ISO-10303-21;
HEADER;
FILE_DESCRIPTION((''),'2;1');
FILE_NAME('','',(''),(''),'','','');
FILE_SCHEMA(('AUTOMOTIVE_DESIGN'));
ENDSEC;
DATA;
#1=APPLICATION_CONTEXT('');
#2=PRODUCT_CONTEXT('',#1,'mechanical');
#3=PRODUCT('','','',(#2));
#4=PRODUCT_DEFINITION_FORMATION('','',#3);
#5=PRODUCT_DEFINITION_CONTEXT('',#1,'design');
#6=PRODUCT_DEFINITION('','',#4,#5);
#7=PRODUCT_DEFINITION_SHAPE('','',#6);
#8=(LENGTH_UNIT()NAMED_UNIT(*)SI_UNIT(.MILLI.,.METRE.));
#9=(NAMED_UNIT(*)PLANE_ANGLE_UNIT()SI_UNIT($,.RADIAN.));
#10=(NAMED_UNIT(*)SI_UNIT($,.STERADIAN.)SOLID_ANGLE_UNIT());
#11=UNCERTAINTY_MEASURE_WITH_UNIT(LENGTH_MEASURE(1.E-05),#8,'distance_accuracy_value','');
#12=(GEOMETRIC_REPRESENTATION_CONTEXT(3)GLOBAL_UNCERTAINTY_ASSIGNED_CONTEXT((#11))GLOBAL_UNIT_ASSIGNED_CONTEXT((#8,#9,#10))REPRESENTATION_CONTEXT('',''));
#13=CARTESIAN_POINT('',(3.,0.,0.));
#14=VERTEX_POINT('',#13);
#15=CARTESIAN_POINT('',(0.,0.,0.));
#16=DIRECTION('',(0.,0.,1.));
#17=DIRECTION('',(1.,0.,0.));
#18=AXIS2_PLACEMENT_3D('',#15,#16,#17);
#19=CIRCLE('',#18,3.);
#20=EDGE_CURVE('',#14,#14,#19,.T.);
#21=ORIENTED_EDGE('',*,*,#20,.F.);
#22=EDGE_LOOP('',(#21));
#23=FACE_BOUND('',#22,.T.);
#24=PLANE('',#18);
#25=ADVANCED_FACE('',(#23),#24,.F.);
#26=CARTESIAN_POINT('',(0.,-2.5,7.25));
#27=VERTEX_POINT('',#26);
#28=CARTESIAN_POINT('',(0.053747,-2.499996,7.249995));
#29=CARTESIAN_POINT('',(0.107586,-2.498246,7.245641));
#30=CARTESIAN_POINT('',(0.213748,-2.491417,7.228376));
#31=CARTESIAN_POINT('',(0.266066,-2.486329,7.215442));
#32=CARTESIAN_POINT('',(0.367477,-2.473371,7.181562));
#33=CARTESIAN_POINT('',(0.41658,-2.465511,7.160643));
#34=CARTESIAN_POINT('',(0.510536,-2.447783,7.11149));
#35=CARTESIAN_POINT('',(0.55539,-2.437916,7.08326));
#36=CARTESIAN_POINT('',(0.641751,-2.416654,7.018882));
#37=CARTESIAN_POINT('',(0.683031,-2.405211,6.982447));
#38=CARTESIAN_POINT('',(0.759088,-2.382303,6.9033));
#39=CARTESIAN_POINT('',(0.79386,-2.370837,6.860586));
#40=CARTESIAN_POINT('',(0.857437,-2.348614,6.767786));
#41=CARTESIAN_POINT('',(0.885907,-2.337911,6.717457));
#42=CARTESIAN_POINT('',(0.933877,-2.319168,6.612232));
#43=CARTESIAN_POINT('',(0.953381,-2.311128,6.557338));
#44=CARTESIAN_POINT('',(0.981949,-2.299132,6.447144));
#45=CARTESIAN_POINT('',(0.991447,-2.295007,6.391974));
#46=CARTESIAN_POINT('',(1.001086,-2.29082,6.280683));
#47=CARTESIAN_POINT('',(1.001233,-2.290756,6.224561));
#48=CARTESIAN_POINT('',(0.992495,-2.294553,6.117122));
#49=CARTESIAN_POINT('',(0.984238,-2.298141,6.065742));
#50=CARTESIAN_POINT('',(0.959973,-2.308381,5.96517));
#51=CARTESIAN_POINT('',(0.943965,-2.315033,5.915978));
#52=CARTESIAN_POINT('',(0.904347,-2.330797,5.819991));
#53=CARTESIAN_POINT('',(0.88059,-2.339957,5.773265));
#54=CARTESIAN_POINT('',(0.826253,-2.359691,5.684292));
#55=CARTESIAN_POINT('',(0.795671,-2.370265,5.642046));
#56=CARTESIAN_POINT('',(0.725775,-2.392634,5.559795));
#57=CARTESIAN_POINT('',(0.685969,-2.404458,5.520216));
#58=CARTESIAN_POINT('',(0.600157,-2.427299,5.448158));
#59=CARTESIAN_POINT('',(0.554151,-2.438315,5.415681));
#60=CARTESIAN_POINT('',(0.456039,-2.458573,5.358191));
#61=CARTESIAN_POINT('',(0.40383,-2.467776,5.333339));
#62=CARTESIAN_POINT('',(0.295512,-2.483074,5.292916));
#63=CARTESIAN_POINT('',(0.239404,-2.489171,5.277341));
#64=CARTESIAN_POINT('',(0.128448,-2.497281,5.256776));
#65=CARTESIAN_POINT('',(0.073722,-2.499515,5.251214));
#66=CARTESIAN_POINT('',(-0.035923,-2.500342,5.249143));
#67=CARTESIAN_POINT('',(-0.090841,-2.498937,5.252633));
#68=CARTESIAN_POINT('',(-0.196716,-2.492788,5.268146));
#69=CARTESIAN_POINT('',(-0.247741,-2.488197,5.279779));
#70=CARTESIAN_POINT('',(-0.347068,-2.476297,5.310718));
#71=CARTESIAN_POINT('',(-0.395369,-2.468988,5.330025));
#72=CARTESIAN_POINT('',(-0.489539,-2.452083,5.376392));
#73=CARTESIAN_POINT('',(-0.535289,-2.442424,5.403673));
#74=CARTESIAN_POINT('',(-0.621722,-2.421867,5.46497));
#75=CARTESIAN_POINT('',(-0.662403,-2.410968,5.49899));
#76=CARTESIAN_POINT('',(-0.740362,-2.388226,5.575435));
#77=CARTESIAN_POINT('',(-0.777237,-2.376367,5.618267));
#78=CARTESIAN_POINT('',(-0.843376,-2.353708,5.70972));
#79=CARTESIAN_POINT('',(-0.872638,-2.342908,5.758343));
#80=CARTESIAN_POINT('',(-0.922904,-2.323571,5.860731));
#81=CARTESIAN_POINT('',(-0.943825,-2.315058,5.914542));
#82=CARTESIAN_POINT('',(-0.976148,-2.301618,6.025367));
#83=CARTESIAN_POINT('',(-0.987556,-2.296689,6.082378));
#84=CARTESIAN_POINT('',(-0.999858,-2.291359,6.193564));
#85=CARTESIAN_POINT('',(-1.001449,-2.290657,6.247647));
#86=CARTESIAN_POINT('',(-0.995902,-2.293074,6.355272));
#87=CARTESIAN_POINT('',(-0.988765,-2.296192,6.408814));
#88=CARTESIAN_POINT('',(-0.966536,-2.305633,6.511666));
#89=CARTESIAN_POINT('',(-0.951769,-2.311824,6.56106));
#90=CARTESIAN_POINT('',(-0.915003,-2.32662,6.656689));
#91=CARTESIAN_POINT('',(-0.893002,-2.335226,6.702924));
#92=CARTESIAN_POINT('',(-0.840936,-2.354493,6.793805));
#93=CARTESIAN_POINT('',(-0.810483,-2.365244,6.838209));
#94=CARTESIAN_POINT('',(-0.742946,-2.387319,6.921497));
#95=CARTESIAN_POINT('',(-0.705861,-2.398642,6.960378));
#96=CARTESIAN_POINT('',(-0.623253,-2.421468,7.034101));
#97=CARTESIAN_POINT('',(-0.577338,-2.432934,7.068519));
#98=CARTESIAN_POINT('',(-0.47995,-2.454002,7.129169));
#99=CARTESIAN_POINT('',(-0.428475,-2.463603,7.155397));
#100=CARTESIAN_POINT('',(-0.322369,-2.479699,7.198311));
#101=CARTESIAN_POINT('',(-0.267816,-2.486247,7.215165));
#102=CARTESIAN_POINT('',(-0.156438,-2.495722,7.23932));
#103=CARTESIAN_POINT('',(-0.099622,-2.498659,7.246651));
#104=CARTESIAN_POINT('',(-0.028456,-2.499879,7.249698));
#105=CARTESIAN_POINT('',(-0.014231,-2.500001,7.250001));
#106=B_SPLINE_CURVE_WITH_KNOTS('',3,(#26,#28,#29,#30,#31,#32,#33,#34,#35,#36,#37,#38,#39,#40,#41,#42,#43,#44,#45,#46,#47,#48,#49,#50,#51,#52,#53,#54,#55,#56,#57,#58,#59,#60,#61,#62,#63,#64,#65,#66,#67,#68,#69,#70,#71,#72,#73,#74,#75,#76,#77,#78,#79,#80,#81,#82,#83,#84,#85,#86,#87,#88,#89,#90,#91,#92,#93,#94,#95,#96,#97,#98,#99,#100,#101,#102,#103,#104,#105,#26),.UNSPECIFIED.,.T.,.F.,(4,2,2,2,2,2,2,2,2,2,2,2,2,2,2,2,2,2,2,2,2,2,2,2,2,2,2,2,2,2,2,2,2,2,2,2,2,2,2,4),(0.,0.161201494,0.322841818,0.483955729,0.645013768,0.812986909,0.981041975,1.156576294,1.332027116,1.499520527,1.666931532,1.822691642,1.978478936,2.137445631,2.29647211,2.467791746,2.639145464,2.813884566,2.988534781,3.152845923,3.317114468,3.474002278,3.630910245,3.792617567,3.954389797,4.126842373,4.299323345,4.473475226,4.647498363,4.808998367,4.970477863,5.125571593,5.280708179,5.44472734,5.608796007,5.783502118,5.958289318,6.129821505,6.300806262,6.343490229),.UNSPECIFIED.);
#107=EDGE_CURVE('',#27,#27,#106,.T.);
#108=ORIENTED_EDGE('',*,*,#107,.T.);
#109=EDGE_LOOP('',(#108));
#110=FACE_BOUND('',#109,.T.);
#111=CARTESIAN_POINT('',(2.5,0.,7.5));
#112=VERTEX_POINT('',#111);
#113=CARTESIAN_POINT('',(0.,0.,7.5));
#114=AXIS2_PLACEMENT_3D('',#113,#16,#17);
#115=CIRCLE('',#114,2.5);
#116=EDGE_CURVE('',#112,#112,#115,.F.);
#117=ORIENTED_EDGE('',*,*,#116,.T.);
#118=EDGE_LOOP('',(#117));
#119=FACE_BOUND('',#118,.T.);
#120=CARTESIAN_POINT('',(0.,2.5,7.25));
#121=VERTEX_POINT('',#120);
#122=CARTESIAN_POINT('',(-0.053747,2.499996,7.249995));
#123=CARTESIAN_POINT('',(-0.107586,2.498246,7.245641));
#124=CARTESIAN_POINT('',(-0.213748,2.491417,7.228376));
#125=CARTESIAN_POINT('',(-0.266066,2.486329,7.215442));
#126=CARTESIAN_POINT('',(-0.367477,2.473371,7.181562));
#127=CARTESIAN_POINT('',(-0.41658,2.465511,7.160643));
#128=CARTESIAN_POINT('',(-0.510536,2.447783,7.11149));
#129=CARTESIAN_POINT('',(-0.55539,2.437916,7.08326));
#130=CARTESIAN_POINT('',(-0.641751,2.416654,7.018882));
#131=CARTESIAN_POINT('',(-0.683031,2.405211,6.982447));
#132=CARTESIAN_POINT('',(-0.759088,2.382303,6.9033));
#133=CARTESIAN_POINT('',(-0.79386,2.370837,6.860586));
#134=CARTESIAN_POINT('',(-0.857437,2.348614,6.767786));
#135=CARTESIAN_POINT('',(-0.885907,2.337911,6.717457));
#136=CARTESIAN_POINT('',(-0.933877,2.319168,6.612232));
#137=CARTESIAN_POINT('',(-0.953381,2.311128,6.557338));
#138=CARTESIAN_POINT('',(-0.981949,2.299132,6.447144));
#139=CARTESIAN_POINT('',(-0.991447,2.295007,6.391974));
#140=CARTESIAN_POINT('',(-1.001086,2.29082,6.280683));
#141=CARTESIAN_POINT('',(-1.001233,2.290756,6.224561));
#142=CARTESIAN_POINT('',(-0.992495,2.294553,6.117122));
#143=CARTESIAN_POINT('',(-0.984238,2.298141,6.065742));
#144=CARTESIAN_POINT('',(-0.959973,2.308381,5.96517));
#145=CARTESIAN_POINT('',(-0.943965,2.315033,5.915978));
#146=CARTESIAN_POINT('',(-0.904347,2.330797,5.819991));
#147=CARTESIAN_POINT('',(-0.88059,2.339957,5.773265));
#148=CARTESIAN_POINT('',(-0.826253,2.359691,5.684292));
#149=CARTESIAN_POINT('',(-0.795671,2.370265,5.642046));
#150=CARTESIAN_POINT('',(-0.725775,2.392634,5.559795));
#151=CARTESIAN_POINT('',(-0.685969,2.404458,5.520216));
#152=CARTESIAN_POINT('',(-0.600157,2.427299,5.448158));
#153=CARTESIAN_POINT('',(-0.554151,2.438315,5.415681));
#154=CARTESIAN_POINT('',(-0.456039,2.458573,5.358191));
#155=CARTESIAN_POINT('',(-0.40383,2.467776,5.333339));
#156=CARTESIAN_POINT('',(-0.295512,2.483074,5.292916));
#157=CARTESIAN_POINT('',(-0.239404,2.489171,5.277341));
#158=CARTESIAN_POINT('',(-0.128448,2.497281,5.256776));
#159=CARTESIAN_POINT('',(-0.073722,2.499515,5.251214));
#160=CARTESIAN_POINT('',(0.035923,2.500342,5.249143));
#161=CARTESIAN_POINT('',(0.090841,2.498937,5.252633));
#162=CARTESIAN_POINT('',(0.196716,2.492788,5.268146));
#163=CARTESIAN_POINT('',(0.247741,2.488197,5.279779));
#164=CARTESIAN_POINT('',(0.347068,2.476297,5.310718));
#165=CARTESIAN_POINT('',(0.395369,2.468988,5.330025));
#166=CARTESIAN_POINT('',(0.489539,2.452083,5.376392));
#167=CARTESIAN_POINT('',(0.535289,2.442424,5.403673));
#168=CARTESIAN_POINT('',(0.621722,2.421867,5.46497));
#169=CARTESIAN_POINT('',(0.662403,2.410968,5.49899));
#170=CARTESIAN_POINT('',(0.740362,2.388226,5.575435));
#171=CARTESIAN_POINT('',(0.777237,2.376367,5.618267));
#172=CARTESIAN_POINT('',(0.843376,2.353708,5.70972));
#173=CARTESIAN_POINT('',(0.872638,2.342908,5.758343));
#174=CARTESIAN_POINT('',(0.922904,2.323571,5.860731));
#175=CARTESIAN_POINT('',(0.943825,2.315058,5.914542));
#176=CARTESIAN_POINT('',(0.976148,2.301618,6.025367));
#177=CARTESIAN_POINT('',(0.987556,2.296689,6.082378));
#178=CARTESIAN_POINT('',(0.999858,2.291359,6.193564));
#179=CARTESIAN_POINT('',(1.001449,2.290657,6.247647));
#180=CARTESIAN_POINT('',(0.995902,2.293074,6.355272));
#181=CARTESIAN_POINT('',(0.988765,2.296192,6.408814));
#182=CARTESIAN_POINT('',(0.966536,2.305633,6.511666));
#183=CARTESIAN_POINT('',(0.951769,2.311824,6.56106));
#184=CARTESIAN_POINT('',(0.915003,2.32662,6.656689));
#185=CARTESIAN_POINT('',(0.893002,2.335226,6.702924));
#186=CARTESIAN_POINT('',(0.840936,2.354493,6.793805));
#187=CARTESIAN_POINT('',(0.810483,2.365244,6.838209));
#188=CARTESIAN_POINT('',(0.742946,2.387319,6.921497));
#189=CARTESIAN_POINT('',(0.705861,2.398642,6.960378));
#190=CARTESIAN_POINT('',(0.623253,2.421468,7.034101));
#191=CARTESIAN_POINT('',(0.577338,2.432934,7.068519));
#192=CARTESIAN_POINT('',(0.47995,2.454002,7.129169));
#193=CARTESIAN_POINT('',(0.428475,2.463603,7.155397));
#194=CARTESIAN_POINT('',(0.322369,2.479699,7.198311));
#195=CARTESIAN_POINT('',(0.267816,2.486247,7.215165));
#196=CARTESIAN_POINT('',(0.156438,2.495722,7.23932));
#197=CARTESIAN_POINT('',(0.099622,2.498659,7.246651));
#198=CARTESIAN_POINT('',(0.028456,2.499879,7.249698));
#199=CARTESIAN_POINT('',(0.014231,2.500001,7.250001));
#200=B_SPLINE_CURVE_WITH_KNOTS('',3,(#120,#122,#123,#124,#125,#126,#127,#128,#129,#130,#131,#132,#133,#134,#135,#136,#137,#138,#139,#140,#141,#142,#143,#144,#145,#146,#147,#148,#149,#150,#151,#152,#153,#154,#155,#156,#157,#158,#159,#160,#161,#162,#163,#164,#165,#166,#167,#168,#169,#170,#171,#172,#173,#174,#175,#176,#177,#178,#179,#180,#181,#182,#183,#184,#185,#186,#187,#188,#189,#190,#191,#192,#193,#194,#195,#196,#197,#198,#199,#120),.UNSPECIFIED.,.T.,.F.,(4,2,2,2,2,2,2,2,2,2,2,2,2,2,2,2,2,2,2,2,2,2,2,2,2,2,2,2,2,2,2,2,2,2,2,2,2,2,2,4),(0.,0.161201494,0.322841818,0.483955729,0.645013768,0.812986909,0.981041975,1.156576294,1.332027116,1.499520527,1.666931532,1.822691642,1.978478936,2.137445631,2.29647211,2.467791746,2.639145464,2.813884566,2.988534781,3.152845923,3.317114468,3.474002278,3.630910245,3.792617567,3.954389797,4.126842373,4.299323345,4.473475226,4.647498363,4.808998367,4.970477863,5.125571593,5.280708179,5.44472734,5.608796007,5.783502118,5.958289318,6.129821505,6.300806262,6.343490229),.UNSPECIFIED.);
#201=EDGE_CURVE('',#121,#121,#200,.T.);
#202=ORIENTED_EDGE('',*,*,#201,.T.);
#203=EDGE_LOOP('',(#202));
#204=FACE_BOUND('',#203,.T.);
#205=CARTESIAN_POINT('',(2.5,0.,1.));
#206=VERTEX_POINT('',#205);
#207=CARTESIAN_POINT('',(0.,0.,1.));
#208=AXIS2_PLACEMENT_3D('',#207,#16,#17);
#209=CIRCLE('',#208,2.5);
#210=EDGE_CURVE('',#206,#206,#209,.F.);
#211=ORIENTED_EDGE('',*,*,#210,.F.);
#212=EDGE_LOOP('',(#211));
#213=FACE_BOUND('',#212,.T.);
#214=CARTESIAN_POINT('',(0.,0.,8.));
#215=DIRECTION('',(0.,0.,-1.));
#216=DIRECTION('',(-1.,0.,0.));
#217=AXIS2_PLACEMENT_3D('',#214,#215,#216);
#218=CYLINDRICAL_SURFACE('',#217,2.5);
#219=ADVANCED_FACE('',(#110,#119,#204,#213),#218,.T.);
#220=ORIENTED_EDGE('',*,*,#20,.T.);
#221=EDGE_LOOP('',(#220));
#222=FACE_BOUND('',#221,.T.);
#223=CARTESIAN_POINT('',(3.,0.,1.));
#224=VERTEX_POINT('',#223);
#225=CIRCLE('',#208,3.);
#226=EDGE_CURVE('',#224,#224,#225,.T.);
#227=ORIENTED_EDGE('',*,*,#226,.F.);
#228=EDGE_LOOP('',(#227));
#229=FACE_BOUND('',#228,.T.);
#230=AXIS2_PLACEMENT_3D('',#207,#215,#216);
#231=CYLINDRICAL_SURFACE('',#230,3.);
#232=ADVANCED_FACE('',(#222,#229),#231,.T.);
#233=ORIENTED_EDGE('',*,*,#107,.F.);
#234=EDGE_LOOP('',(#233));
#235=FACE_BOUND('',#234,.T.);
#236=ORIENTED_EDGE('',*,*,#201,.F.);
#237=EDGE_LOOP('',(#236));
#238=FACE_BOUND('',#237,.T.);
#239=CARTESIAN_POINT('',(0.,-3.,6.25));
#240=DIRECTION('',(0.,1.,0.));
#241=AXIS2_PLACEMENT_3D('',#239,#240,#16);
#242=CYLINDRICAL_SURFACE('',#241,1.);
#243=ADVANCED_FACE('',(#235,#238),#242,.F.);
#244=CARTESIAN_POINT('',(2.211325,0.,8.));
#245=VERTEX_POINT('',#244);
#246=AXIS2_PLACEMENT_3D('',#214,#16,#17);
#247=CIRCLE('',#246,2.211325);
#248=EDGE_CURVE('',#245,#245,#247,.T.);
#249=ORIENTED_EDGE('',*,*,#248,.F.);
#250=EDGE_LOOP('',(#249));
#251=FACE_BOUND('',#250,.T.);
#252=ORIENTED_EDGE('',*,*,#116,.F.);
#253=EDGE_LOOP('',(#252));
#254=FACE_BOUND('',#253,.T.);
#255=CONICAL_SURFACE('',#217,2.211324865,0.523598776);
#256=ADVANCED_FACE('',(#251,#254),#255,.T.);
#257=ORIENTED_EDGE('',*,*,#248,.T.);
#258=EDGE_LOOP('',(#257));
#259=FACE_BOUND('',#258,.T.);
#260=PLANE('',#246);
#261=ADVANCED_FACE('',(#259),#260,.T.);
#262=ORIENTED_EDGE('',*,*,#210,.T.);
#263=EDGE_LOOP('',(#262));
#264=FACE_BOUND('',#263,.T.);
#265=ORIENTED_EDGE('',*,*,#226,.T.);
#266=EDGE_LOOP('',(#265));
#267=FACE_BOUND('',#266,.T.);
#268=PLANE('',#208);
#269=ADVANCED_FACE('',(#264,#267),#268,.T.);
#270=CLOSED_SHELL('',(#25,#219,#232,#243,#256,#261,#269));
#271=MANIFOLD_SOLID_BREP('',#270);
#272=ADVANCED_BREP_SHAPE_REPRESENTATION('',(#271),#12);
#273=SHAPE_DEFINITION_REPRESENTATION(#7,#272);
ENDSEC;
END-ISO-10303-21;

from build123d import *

# Parameters (mm, degrees)
SKETCH_1_R               = 3
EXTRUDE_1_DEPTH          = 1
SKETCH_1_3_R             = 2.5
EXTRUDE_2_DEPTH          = 8
CHAMFER_1_SIZE           = 0.5
CHAMFER_1_SIZE2          = 0.288675135
CUT_EXTRUDE_1_DEPTH      = 10.055385138
CUT_EXTRUDE_1_DEPTH_BACK = 10.055385138
SKETCH_2_R               = 1


with BuildPart() as part:
    # 草圖1 → 填料-伸長1 (new body)
    with BuildSketch(Plane.XY):
        Circle(SKETCH_1_R)
    extrude(amount=EXTRUDE_1_DEPTH)

    # 草圖1<3> → 填料-伸長2 (add)
    with BuildSketch(Plane.XY):
        Circle(SKETCH_1_3_R)
    extrude(amount=EXTRUDE_2_DEPTH)

    # 導角1
    chamfer_1_edges = [part.edges().sort_by_distance(p)[0] for p in [
        (-2.5, 0, 8),
    ]]
    chamfer_1_side = [part.faces().sort_by_distance(p)[0] for p in [
        (-2.5, 0, 4.5),
    ]]
    chamfer(chamfer_1_edges, length=CHAMFER_1_SIZE, length2=CHAMFER_1_SIZE2, reference=chamfer_1_side[0])

    # 草圖2 → 除料-伸長1 (cut, two sides: drawn at the far end of the back side and taken through both)
    with BuildSketch(Plane(origin=(0, 0, 0), x_dir=(1, 0, 0), z_dir=(0, 1, 0)).offset(-CUT_EXTRUDE_1_DEPTH_BACK)):
        with Locations((0, -6.25)):
            Circle(SKETCH_2_R)
    extrude(amount=CUT_EXTRUDE_1_DEPTH + CUT_EXTRUDE_1_DEPTH_BACK, mode=Mode.SUBTRACT)


solid = part.part
